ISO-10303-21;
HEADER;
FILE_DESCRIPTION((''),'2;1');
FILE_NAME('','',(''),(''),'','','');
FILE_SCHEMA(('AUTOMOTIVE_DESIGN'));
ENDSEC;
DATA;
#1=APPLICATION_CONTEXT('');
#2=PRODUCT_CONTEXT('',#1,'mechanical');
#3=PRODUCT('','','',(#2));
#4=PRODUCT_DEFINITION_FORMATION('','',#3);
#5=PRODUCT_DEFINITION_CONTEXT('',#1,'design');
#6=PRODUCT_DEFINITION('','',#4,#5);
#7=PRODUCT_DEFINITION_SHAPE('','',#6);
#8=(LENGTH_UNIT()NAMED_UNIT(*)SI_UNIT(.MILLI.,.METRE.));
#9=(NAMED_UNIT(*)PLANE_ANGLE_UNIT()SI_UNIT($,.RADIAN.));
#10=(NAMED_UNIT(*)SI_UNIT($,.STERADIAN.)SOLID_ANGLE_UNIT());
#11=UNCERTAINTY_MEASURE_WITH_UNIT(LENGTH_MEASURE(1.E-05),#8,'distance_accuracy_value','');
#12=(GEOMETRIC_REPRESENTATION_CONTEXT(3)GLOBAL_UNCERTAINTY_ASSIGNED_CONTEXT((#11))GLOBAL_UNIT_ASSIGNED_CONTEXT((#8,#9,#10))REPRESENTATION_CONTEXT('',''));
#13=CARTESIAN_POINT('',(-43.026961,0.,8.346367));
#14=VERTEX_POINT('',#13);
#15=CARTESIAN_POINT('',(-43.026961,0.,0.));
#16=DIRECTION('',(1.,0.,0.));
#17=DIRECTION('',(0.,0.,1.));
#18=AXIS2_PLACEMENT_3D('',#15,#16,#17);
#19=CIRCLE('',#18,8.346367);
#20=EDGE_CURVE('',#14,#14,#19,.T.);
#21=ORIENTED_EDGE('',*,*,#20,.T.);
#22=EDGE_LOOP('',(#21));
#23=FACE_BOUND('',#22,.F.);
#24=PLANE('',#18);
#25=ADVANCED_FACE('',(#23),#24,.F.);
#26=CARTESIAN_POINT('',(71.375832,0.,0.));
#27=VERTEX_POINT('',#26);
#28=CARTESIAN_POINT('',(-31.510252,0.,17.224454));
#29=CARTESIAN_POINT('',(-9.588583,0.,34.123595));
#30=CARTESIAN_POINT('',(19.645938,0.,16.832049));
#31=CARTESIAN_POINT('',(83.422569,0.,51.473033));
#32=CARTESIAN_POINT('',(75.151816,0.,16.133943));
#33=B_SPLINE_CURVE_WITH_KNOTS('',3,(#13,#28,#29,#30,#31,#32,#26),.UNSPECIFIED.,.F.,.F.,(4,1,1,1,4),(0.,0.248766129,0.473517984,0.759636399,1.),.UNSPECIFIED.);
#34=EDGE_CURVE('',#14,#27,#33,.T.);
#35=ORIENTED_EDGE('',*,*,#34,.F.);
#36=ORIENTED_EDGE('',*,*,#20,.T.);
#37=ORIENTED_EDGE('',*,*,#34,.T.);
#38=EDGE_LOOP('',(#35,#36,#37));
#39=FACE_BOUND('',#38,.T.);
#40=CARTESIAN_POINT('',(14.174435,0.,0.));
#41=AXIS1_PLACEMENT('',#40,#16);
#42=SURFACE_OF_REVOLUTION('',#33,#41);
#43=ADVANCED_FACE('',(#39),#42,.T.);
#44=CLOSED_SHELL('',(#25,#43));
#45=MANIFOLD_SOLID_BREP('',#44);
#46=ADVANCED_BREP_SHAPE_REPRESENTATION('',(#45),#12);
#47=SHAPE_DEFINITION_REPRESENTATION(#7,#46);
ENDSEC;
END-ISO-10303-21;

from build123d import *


with BuildPart() as f1:
    # F0 (on Front) → F1 (revolve)
    with BuildSketch(Plane.XZ):
        with BuildLine():
            add(Edge.make_bspline(
                [(-43.0269613862, 8.3463666961), (-31.5102524899, 17.2244537098), (-9.588583296, 34.1235946311), (19.6459380847, 16.8320491707), (83.4225687675, 51.473032622), (75.1518162991, 16.133943002), (71.3758319616, 0)],
                knots=[0, 0, 0, 0, 0.2487661288, 0.4735179844, 0.7596363991, 1, 1, 1, 1], degree=3))
            Line((-43.0269613862, 8.3463666961), (-43.0269613862, 0))
            Line((-43.0269613862, 0), (71.3758319616, 0))
        make_face()
    revolve(axis=Axis((14.1744352877, 0, 0), (1, 0, 0)))


solid = f1.part
